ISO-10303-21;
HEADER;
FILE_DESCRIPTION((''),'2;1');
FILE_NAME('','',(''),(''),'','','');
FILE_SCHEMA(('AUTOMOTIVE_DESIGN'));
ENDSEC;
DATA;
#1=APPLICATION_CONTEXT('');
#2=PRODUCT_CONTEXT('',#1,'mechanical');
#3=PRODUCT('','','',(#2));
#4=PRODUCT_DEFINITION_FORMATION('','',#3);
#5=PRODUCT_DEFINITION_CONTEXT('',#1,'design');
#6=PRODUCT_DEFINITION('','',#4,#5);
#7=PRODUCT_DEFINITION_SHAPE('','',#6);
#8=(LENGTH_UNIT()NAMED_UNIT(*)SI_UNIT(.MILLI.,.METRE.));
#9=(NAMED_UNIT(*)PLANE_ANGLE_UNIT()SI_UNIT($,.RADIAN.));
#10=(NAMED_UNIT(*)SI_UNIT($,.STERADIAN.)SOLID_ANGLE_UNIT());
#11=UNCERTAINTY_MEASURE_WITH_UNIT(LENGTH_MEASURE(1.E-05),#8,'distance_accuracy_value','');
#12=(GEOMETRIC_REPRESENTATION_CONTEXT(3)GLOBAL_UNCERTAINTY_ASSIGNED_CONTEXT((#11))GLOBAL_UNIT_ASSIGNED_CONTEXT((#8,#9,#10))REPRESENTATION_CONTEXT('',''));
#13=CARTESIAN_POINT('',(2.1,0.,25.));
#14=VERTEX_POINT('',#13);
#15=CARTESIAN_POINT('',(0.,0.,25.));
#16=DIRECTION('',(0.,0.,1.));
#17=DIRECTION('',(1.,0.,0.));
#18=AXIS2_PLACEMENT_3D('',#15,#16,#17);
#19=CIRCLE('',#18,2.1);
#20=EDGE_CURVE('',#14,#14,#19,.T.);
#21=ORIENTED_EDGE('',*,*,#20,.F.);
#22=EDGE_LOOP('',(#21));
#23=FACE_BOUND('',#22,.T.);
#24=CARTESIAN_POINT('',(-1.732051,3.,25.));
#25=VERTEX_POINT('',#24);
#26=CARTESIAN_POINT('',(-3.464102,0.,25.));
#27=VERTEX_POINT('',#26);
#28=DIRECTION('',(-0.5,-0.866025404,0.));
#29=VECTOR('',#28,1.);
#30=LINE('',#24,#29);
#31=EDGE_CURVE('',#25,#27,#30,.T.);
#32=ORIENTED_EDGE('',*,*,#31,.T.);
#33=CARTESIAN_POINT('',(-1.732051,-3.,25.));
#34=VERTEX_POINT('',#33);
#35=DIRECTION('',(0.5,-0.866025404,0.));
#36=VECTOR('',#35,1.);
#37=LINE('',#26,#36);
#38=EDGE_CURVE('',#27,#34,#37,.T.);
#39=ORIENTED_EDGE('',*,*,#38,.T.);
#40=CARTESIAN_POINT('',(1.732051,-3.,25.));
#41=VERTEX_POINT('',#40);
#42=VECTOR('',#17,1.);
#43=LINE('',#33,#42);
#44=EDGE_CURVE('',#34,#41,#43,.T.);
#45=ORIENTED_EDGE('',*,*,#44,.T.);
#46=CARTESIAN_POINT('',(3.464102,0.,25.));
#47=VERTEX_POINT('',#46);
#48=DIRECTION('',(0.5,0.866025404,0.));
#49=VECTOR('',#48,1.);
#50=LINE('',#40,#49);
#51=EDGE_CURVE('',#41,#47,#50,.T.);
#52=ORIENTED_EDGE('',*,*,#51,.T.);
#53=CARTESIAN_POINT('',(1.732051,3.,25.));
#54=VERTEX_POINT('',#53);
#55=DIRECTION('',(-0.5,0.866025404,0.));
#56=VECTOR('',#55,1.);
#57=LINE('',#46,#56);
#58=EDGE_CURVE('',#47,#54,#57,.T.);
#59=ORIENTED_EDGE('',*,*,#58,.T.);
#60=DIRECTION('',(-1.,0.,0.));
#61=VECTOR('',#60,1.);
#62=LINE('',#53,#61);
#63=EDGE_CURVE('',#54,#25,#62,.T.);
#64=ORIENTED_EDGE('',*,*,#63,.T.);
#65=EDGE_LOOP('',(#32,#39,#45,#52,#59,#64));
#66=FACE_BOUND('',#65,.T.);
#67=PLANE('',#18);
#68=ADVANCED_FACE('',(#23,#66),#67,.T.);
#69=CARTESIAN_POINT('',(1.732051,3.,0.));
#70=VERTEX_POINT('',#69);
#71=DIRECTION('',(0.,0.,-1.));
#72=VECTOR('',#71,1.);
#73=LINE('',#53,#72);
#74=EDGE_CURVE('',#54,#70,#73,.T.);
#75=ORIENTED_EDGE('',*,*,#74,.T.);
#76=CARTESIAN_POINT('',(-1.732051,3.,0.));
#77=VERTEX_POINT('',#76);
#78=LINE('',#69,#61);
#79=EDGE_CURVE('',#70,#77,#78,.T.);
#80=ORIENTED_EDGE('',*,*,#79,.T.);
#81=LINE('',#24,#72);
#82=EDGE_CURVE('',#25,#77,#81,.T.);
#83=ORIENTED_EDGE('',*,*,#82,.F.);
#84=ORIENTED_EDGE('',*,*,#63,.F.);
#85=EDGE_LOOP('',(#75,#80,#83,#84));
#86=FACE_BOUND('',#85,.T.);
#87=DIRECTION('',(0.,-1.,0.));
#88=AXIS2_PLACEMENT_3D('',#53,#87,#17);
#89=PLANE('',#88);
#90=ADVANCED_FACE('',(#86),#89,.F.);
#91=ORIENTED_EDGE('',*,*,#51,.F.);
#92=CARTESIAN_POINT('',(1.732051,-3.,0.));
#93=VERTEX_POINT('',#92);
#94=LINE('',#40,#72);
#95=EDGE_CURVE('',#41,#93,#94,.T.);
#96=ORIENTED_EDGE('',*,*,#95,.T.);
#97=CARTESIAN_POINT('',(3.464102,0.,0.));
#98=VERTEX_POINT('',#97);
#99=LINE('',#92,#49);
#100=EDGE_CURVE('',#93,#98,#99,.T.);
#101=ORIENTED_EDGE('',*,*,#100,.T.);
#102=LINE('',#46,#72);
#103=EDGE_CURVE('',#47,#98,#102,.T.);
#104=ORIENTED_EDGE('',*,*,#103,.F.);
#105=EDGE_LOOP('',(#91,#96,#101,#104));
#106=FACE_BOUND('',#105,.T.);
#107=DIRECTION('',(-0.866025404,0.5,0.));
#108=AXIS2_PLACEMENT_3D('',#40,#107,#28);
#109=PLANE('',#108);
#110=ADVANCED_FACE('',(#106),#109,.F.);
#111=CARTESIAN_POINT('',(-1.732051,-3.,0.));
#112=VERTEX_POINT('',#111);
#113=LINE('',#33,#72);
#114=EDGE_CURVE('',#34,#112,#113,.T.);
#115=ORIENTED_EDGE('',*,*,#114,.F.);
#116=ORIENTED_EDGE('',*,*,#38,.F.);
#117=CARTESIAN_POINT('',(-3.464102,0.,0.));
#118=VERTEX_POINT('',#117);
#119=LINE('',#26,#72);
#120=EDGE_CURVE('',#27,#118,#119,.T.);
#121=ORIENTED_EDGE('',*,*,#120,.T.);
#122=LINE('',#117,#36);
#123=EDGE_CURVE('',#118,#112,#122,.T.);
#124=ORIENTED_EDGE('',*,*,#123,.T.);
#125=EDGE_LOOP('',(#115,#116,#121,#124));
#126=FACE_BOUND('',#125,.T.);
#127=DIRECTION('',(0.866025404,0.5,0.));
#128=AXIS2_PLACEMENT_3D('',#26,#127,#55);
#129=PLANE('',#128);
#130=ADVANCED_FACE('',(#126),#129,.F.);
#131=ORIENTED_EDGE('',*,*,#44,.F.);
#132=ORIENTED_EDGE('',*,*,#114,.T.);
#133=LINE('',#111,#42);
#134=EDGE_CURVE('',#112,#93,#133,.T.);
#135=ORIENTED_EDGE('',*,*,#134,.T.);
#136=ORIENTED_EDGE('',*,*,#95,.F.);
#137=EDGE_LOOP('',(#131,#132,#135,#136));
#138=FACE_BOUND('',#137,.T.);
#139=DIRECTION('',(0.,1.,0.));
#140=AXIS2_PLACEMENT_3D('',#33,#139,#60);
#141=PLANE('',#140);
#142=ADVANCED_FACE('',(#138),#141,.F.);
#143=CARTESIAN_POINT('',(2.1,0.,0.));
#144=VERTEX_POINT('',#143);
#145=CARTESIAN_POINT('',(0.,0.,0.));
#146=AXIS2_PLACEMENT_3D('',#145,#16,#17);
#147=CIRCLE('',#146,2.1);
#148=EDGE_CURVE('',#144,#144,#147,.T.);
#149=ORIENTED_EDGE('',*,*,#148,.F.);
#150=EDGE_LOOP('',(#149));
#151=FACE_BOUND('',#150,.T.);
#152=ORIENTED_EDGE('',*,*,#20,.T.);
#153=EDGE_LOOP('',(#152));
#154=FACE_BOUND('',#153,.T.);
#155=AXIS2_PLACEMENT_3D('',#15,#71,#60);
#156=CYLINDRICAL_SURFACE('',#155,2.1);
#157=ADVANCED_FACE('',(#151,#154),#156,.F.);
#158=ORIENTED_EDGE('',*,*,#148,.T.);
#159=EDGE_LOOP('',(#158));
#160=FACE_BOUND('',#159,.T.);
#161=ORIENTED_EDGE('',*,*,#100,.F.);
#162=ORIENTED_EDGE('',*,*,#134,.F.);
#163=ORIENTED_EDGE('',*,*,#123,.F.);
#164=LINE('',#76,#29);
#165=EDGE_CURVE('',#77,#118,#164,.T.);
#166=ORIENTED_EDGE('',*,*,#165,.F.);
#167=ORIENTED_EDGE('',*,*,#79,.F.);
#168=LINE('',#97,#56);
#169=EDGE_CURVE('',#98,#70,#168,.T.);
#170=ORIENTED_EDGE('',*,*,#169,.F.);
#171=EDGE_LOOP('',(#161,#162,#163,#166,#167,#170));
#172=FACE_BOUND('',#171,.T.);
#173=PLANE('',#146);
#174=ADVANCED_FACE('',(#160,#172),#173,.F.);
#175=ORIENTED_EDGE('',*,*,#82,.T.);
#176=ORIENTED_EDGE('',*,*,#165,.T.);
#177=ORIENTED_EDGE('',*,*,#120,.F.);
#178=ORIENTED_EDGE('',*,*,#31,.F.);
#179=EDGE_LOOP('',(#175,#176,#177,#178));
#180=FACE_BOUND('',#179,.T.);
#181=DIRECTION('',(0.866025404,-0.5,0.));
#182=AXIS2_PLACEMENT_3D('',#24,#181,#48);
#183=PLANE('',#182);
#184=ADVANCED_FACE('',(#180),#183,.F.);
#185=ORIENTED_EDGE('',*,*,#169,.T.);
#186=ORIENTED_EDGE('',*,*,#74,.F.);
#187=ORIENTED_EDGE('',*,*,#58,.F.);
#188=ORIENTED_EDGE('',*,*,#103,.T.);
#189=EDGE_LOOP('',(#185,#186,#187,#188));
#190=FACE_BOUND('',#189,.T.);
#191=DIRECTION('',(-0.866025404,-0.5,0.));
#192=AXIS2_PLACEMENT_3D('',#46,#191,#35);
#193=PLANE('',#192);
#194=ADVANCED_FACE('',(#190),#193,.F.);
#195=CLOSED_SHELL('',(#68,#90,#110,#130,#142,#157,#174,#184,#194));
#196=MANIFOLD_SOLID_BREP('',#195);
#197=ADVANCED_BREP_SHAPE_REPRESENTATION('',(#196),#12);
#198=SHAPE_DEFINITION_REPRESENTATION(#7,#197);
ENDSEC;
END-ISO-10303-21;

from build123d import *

# Parameters (mm, degrees)
SKETCH_1_R      = 2.1
EXTRUDE_1_DEPTH = 25


with BuildPart() as part:
    # 草图1 → 凸台-拉伸1 (new body)
    with BuildSketch(Plane.XY):
        Polygon((1.732050808, 3), (-1.732050808, 3), (-3.464101615, 0), (-1.732050808, -3), (1.732050808, -3), (3.464101615, 0), align=None)
        Circle(SKETCH_1_R, mode=Mode.SUBTRACT)
    extrude(amount=EXTRUDE_1_DEPTH)


solid = part.part
